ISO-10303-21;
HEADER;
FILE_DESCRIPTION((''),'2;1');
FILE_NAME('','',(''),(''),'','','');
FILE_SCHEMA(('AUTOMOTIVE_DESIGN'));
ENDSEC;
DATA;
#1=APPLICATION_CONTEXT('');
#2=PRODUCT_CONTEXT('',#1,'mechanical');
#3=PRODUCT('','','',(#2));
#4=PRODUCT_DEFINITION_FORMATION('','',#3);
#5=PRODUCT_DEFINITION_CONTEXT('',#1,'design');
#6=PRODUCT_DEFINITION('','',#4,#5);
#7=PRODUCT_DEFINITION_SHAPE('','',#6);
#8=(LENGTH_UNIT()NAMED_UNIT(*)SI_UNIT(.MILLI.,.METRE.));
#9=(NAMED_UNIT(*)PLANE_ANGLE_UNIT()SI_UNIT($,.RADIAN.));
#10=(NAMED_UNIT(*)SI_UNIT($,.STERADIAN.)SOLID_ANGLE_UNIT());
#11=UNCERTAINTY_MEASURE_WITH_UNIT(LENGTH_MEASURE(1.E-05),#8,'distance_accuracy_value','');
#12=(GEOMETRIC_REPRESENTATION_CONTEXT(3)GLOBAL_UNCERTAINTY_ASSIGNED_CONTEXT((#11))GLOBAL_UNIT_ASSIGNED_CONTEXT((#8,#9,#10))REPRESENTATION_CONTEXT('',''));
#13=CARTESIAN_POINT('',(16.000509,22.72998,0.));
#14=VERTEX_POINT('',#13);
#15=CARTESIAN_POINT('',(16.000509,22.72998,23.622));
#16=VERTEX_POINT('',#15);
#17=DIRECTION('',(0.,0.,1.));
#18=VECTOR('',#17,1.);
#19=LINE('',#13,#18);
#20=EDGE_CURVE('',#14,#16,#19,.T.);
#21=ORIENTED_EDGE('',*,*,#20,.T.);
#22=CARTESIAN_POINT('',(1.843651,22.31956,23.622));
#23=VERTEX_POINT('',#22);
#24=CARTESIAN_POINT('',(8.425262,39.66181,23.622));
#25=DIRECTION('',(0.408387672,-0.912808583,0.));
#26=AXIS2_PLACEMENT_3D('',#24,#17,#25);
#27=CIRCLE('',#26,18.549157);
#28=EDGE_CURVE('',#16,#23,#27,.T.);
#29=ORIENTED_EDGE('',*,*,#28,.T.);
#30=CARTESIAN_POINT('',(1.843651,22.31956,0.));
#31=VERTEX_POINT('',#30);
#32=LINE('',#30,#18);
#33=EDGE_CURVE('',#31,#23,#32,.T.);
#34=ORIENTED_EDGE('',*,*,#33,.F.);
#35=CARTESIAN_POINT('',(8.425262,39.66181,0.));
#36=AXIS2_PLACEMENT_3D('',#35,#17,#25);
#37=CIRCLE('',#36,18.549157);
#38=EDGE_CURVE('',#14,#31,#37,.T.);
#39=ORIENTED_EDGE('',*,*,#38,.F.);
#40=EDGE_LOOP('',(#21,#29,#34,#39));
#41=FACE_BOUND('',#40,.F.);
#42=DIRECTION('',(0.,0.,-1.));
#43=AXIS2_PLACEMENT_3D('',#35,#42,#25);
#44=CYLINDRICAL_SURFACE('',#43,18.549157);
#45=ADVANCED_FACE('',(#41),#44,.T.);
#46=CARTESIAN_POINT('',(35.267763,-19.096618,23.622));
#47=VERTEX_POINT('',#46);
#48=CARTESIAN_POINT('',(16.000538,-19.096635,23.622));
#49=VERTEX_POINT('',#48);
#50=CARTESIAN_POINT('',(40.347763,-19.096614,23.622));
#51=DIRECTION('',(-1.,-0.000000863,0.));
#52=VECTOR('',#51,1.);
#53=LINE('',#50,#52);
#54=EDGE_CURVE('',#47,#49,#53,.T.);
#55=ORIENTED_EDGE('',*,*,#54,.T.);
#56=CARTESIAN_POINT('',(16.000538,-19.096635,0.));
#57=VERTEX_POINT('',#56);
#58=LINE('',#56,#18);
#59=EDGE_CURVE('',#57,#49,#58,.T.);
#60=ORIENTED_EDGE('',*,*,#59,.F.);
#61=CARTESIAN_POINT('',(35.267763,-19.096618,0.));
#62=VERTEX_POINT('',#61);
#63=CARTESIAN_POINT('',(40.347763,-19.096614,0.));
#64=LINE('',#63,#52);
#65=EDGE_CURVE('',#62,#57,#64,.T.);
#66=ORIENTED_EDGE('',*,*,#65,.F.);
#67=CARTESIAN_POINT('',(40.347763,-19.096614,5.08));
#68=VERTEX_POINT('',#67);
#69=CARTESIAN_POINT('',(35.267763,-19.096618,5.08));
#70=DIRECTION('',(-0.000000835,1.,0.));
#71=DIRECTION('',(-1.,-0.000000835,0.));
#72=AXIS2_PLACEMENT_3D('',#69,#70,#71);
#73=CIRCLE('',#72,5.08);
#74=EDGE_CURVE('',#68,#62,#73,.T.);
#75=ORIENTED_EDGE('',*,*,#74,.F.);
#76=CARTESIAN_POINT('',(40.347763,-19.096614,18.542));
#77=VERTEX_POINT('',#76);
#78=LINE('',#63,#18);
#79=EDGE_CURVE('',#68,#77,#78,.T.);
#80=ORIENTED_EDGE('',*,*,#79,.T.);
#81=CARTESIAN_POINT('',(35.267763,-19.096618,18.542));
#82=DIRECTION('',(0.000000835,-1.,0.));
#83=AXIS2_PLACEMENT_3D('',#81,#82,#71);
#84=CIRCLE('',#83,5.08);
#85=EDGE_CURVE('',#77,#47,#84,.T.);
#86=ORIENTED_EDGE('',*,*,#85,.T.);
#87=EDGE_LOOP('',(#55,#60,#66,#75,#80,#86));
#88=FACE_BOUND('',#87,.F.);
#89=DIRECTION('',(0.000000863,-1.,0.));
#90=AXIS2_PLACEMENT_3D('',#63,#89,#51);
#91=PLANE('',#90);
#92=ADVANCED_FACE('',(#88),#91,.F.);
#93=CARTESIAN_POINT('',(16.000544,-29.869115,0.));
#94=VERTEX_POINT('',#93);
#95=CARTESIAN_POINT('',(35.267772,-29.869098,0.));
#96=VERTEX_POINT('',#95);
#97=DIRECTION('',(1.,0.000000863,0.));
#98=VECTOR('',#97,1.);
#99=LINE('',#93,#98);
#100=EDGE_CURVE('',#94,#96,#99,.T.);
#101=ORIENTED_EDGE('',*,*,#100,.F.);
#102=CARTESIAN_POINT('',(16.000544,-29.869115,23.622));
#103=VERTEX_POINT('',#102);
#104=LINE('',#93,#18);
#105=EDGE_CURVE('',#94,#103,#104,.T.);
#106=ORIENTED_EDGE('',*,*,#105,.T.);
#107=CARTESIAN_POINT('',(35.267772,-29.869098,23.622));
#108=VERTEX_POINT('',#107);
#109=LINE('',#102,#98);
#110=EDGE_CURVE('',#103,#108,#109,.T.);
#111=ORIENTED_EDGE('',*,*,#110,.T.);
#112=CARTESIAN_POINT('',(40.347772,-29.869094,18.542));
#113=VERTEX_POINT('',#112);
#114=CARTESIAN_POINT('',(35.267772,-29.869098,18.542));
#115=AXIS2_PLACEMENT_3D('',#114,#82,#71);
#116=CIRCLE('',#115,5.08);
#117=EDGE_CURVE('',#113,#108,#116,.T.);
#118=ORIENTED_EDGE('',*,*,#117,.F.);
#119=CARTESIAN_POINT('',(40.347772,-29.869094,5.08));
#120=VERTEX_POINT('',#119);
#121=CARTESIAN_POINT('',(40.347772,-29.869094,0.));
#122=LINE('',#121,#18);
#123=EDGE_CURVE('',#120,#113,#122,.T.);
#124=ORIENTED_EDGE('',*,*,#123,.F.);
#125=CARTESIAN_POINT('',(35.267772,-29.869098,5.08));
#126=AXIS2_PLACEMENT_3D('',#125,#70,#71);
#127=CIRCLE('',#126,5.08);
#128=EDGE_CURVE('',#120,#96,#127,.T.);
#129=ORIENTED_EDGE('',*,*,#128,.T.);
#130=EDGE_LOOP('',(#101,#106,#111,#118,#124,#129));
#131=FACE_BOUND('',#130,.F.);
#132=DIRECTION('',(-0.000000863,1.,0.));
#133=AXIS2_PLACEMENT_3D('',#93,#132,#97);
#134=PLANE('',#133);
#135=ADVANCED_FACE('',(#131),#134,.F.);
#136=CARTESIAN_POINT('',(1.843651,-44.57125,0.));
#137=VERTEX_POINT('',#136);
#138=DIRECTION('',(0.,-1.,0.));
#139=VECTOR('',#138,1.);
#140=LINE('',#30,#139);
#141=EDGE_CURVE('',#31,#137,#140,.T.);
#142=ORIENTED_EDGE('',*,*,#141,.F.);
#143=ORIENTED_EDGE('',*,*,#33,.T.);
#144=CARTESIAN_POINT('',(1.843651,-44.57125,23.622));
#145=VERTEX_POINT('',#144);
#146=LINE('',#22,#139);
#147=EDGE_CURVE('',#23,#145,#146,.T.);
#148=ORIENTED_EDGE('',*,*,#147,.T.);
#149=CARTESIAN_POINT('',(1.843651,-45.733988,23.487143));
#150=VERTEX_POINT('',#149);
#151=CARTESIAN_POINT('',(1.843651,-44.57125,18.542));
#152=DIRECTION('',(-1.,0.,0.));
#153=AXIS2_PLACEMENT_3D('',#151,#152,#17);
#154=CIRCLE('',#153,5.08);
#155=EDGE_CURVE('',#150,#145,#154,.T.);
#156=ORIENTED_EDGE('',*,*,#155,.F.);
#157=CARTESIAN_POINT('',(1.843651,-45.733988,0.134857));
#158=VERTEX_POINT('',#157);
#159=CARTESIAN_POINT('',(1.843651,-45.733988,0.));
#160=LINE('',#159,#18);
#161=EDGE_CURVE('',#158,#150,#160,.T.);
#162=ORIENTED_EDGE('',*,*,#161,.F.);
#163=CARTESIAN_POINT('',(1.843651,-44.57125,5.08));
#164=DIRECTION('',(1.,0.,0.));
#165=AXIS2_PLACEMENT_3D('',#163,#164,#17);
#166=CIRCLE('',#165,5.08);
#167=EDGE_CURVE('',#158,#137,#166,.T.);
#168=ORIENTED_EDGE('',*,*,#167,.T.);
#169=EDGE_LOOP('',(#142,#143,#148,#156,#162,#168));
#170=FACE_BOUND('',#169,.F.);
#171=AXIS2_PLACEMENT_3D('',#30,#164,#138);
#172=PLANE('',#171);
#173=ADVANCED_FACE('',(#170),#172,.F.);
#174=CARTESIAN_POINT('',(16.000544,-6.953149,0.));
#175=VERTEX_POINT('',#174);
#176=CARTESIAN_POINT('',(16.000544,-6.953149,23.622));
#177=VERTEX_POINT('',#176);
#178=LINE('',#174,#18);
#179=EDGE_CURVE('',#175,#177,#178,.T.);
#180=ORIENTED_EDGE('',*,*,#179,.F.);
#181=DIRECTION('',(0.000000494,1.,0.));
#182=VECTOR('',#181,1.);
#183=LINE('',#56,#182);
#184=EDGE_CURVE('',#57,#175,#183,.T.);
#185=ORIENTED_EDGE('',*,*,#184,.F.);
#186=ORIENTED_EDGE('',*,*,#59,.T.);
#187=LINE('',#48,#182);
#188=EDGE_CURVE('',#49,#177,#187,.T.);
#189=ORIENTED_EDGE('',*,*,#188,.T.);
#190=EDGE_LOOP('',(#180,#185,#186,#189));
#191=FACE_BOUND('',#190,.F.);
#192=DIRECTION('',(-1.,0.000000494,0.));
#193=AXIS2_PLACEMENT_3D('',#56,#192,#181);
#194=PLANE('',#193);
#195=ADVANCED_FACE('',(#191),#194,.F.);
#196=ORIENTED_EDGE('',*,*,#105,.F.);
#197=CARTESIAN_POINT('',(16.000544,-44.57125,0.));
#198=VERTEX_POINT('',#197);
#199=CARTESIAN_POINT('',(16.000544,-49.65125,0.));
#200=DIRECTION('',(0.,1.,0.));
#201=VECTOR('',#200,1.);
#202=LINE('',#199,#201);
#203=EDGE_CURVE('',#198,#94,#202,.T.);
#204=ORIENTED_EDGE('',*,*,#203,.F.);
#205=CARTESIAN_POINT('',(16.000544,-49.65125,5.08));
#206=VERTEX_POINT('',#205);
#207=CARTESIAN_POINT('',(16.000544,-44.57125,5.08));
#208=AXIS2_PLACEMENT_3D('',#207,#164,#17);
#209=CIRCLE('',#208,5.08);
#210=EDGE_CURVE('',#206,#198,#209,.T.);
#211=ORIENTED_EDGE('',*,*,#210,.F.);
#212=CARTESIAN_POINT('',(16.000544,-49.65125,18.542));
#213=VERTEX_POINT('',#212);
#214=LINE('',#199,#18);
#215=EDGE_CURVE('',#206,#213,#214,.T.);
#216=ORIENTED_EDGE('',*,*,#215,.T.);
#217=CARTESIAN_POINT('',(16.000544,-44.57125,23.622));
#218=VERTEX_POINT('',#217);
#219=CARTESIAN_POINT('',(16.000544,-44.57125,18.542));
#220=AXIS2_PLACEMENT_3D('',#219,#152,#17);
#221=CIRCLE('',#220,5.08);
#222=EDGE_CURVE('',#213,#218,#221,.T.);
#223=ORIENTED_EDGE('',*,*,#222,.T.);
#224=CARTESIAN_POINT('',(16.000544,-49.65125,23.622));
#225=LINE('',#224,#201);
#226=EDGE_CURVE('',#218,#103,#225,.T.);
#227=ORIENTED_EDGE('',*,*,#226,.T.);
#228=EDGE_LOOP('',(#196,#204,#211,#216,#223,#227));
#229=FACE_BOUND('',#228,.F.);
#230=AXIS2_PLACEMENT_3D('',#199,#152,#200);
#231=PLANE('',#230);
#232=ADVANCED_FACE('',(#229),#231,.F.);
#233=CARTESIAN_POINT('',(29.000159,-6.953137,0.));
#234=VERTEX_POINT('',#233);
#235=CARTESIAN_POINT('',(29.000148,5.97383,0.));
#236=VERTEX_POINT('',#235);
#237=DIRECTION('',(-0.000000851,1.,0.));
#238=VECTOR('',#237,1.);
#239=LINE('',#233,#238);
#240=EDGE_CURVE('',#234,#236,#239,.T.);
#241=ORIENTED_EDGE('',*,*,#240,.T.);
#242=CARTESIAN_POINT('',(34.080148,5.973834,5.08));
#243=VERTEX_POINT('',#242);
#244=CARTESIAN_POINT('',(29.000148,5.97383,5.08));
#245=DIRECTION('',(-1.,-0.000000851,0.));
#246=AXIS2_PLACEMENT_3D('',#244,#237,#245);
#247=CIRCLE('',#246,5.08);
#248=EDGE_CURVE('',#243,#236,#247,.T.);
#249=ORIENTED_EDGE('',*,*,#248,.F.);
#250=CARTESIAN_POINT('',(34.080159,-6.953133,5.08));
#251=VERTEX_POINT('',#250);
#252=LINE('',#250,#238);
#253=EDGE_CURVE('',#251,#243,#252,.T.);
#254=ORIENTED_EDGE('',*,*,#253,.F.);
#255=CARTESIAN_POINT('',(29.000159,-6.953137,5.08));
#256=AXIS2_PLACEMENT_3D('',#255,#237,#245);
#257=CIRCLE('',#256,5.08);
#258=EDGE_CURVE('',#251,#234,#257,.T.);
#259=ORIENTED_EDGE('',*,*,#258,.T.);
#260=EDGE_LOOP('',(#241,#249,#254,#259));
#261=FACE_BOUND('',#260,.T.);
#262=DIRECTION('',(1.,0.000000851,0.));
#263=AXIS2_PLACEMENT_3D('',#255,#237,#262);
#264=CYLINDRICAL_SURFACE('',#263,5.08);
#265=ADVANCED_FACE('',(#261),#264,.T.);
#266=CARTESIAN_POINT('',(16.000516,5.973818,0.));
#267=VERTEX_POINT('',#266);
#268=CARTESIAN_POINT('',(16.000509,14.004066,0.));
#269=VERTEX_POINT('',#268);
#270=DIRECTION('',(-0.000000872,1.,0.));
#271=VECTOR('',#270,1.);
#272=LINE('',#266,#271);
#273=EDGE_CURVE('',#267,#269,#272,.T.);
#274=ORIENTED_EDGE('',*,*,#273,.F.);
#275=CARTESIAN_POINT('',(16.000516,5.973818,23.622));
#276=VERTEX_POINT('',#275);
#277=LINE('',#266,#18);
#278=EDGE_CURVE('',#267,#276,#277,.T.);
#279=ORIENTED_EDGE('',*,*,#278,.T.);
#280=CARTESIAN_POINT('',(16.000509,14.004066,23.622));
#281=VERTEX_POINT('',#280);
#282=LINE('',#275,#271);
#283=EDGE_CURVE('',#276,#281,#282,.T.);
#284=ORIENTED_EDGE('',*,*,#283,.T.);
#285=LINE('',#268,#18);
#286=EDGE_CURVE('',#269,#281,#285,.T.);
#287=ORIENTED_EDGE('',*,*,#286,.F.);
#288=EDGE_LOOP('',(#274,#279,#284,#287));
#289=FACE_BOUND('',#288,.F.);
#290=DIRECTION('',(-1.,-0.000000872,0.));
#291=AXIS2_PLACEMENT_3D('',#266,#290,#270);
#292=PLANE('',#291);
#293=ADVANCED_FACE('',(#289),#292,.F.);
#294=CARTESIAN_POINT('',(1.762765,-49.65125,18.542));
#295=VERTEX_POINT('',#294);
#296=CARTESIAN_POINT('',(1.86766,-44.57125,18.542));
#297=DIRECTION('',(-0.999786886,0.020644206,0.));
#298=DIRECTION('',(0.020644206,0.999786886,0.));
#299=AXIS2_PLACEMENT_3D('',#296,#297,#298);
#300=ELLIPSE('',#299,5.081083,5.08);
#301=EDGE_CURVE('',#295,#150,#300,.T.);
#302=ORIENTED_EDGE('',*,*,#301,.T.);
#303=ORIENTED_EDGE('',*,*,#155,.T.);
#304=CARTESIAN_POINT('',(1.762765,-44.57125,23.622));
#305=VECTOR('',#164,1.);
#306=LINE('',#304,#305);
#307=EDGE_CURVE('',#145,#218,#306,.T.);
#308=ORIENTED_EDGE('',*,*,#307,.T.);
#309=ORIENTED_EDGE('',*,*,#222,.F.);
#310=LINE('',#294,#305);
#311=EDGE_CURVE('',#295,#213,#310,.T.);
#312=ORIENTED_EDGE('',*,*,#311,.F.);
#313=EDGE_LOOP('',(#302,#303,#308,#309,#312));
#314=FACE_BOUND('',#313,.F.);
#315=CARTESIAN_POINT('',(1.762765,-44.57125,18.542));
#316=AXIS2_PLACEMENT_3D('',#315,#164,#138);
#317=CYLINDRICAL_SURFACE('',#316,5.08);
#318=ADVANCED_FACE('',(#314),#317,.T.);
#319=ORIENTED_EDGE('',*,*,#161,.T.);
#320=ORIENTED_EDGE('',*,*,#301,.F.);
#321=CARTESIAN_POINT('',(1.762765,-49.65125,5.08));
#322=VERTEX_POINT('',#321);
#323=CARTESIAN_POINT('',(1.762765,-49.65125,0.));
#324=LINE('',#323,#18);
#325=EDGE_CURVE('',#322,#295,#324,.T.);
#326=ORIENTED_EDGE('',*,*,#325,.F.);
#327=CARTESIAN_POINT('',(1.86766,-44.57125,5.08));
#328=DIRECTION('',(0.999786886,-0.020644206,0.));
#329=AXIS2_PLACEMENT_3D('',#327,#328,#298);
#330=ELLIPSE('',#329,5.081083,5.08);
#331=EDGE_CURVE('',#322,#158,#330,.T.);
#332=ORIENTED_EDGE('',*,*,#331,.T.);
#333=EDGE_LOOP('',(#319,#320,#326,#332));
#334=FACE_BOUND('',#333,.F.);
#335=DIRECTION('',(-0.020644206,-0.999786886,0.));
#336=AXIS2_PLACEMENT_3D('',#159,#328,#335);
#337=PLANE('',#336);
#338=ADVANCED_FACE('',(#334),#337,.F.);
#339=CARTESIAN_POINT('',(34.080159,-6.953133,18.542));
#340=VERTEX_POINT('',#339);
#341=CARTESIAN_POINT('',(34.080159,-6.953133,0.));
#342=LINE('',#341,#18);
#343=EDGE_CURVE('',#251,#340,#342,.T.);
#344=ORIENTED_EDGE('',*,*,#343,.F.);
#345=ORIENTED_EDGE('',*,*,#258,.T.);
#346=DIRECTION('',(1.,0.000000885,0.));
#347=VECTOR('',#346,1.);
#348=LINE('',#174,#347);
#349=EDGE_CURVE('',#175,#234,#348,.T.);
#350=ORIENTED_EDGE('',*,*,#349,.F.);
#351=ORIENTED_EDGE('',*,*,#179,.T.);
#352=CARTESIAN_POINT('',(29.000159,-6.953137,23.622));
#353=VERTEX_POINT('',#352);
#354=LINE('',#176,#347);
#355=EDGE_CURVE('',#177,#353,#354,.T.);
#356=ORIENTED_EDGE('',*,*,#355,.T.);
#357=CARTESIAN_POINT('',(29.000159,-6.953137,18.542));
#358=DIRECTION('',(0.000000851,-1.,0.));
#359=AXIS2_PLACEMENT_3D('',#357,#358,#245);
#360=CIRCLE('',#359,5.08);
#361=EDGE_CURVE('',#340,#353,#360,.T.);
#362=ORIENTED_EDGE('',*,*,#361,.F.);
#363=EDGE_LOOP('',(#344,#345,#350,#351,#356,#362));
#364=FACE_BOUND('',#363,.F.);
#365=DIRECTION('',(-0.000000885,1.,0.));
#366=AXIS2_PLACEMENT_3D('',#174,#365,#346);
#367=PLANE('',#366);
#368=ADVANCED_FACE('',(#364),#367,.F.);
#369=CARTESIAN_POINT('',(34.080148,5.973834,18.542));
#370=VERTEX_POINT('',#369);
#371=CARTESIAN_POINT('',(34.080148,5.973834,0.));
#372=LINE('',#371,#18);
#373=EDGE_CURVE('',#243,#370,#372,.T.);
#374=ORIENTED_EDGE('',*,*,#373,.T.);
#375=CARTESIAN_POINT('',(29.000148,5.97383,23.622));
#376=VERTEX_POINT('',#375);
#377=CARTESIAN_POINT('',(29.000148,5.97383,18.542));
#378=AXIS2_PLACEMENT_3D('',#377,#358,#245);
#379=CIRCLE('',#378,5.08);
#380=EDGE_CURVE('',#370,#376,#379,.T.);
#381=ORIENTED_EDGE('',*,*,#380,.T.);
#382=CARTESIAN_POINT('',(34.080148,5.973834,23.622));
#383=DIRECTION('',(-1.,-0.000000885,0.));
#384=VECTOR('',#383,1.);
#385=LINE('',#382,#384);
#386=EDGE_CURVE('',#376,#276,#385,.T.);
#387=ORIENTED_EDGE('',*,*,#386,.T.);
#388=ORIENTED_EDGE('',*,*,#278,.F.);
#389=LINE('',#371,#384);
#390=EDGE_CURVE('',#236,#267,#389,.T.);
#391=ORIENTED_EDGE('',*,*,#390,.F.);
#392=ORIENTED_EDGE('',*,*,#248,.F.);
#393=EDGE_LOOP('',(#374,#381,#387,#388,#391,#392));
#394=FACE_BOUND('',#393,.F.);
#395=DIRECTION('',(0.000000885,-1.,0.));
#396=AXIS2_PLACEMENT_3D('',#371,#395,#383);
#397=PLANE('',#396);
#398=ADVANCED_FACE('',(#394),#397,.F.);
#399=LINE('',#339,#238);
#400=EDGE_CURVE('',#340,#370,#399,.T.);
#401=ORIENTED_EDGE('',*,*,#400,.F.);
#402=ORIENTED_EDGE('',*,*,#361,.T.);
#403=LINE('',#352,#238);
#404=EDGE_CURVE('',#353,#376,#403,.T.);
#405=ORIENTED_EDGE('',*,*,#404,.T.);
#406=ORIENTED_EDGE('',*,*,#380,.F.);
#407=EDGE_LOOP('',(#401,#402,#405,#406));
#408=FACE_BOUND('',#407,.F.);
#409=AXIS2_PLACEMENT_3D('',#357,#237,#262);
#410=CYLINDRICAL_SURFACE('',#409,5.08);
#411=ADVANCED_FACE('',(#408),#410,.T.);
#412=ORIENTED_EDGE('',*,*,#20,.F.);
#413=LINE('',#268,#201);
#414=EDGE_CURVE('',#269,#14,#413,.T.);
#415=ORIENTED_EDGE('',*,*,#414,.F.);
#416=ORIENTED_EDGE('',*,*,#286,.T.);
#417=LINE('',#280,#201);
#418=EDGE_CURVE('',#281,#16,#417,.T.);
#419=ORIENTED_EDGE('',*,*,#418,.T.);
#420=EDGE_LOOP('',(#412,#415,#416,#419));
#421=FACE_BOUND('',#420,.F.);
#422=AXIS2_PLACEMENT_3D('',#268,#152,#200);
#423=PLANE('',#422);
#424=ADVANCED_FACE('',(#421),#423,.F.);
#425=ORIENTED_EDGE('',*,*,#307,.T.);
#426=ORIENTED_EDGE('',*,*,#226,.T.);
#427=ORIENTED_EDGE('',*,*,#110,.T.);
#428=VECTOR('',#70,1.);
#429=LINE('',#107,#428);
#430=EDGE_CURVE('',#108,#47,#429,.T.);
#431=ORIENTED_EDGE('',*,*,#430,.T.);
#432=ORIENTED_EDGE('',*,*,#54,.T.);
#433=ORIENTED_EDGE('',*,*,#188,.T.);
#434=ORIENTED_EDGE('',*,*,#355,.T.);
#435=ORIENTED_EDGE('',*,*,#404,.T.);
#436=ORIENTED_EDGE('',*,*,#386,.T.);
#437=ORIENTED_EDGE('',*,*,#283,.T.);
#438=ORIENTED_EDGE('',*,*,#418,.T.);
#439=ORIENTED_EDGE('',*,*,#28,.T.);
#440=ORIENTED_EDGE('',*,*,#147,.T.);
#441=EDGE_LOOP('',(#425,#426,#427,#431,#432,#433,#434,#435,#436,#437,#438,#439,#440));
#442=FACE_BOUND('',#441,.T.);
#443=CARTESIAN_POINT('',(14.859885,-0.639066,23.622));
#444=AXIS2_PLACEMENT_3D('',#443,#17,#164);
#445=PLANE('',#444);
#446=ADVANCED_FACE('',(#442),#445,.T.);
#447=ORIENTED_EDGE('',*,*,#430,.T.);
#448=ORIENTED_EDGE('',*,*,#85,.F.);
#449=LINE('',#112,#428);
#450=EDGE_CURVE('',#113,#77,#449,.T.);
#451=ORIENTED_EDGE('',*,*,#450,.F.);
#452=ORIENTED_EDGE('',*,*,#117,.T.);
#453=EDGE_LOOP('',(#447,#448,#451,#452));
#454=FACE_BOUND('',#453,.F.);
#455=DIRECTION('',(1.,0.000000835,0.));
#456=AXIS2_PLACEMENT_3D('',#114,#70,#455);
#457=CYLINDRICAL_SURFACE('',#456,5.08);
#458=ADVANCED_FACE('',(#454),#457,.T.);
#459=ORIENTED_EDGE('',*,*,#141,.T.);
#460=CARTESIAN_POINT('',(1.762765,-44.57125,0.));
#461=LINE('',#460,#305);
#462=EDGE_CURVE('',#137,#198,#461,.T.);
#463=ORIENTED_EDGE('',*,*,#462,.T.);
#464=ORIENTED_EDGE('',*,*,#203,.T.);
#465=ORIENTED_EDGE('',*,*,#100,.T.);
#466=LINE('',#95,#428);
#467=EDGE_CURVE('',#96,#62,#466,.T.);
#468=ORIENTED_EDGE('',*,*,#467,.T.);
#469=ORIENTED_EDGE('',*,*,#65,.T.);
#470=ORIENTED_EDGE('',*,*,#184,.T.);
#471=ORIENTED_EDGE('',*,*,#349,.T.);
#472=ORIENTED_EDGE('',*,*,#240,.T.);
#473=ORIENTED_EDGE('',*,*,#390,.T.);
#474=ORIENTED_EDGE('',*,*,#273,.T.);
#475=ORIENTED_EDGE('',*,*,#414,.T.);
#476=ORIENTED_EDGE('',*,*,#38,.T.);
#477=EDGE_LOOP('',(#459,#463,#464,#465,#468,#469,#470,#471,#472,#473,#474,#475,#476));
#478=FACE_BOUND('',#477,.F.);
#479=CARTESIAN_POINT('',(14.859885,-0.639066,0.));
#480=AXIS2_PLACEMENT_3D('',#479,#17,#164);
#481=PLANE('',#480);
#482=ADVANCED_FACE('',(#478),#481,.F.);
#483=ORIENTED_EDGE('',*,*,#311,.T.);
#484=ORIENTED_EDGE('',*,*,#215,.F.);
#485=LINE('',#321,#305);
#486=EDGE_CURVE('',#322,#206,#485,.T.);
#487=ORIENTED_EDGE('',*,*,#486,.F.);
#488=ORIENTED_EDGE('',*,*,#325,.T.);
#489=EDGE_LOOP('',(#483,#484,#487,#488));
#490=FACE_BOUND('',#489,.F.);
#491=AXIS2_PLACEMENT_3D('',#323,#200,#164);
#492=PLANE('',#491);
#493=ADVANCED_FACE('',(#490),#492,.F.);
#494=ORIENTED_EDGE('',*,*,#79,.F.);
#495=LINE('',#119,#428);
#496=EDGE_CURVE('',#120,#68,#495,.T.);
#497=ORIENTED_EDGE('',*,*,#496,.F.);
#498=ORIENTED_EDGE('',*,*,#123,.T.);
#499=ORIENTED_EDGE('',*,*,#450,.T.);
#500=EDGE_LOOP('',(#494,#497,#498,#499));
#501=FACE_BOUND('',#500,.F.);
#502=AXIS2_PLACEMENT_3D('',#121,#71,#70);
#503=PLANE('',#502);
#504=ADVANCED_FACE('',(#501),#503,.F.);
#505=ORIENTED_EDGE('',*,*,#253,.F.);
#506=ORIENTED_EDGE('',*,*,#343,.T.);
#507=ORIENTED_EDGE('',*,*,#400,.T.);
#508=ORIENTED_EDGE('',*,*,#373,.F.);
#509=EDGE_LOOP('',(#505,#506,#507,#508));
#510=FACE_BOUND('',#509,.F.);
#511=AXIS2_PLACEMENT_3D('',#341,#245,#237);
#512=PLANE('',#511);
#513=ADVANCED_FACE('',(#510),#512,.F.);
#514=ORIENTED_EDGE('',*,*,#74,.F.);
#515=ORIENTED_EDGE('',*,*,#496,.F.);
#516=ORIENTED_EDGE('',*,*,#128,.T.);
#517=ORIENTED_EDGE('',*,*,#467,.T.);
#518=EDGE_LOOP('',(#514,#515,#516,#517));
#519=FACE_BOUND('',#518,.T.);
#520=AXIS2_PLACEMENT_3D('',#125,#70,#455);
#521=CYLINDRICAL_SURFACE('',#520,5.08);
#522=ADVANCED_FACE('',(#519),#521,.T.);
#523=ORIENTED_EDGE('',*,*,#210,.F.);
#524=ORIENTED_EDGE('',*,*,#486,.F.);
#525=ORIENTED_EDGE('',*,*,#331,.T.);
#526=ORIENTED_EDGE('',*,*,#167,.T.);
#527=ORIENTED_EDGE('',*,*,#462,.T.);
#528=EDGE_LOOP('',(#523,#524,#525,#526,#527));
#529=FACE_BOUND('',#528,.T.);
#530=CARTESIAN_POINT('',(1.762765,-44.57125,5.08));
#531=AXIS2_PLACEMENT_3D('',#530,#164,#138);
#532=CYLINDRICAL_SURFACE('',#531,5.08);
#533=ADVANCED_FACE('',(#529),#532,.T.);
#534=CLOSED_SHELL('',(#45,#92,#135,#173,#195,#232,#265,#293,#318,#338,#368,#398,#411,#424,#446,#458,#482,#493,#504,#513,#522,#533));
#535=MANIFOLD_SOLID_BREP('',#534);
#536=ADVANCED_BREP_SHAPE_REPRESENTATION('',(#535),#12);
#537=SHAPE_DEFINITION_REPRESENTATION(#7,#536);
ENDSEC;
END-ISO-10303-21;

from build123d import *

# Parameters (mm, degrees)
F1_DEPTH = 23.622
F2_R     = 5.08


with BuildPart() as f1:
    # F0 (on Top) → F1 (new body)
    with BuildSketch(Plane.XY):
        with BuildLine():
            Line((16.000509, 14.004066), (16.000509, 22.72998))
            ThreePointArc((16.000509, 22.72998), (7.887729, 58.203177), (1.843651, 22.31956))
            Line((1.843651, 22.31956), (1.843651, -45.733988))
            Line((1.843651, -45.733988), (1.762765, -49.65125))
            Line((1.762765, -49.65125), (16.000544, -49.65125))
            Line((16.000544, -49.65125), (16.000544, -29.869115))
            Line((16.000544, -29.869115), (40.347772, -29.869094))
            Line((40.347772, -29.869094), (40.347763, -19.096614))
            Line((40.347763, -19.096614), (16.000538, -19.096635))
            Line((16.000538, -19.096635), (16.000544, -6.953149))
            Line((16.000544, -6.953149), (34.080159, -6.953133))
            Line((34.080159, -6.953133), (34.080148, 5.973834))
            Line((34.080148, 5.973834), (16.000516, 5.973818))
            Line((16.000516, 5.973818), (16.000509, 14.004066))
        make_face()
    extrude(amount=F1_DEPTH)

    # F2
    f2_edges = [f1.edges().sort_by_distance(p)[0] for p in [
        (40.347768, -24.482854, 23.622),
        (34.080154, -0.48965, 23.622),
        (8.881655, -49.65125, 23.622),
        (34.080154, -0.48965, 0),
        (40.347768, -24.482854, 0),
        (8.881655, -49.65125, 0),
    ]]
    fillet(f2_edges, radius=F2_R)


solid = f1.part
